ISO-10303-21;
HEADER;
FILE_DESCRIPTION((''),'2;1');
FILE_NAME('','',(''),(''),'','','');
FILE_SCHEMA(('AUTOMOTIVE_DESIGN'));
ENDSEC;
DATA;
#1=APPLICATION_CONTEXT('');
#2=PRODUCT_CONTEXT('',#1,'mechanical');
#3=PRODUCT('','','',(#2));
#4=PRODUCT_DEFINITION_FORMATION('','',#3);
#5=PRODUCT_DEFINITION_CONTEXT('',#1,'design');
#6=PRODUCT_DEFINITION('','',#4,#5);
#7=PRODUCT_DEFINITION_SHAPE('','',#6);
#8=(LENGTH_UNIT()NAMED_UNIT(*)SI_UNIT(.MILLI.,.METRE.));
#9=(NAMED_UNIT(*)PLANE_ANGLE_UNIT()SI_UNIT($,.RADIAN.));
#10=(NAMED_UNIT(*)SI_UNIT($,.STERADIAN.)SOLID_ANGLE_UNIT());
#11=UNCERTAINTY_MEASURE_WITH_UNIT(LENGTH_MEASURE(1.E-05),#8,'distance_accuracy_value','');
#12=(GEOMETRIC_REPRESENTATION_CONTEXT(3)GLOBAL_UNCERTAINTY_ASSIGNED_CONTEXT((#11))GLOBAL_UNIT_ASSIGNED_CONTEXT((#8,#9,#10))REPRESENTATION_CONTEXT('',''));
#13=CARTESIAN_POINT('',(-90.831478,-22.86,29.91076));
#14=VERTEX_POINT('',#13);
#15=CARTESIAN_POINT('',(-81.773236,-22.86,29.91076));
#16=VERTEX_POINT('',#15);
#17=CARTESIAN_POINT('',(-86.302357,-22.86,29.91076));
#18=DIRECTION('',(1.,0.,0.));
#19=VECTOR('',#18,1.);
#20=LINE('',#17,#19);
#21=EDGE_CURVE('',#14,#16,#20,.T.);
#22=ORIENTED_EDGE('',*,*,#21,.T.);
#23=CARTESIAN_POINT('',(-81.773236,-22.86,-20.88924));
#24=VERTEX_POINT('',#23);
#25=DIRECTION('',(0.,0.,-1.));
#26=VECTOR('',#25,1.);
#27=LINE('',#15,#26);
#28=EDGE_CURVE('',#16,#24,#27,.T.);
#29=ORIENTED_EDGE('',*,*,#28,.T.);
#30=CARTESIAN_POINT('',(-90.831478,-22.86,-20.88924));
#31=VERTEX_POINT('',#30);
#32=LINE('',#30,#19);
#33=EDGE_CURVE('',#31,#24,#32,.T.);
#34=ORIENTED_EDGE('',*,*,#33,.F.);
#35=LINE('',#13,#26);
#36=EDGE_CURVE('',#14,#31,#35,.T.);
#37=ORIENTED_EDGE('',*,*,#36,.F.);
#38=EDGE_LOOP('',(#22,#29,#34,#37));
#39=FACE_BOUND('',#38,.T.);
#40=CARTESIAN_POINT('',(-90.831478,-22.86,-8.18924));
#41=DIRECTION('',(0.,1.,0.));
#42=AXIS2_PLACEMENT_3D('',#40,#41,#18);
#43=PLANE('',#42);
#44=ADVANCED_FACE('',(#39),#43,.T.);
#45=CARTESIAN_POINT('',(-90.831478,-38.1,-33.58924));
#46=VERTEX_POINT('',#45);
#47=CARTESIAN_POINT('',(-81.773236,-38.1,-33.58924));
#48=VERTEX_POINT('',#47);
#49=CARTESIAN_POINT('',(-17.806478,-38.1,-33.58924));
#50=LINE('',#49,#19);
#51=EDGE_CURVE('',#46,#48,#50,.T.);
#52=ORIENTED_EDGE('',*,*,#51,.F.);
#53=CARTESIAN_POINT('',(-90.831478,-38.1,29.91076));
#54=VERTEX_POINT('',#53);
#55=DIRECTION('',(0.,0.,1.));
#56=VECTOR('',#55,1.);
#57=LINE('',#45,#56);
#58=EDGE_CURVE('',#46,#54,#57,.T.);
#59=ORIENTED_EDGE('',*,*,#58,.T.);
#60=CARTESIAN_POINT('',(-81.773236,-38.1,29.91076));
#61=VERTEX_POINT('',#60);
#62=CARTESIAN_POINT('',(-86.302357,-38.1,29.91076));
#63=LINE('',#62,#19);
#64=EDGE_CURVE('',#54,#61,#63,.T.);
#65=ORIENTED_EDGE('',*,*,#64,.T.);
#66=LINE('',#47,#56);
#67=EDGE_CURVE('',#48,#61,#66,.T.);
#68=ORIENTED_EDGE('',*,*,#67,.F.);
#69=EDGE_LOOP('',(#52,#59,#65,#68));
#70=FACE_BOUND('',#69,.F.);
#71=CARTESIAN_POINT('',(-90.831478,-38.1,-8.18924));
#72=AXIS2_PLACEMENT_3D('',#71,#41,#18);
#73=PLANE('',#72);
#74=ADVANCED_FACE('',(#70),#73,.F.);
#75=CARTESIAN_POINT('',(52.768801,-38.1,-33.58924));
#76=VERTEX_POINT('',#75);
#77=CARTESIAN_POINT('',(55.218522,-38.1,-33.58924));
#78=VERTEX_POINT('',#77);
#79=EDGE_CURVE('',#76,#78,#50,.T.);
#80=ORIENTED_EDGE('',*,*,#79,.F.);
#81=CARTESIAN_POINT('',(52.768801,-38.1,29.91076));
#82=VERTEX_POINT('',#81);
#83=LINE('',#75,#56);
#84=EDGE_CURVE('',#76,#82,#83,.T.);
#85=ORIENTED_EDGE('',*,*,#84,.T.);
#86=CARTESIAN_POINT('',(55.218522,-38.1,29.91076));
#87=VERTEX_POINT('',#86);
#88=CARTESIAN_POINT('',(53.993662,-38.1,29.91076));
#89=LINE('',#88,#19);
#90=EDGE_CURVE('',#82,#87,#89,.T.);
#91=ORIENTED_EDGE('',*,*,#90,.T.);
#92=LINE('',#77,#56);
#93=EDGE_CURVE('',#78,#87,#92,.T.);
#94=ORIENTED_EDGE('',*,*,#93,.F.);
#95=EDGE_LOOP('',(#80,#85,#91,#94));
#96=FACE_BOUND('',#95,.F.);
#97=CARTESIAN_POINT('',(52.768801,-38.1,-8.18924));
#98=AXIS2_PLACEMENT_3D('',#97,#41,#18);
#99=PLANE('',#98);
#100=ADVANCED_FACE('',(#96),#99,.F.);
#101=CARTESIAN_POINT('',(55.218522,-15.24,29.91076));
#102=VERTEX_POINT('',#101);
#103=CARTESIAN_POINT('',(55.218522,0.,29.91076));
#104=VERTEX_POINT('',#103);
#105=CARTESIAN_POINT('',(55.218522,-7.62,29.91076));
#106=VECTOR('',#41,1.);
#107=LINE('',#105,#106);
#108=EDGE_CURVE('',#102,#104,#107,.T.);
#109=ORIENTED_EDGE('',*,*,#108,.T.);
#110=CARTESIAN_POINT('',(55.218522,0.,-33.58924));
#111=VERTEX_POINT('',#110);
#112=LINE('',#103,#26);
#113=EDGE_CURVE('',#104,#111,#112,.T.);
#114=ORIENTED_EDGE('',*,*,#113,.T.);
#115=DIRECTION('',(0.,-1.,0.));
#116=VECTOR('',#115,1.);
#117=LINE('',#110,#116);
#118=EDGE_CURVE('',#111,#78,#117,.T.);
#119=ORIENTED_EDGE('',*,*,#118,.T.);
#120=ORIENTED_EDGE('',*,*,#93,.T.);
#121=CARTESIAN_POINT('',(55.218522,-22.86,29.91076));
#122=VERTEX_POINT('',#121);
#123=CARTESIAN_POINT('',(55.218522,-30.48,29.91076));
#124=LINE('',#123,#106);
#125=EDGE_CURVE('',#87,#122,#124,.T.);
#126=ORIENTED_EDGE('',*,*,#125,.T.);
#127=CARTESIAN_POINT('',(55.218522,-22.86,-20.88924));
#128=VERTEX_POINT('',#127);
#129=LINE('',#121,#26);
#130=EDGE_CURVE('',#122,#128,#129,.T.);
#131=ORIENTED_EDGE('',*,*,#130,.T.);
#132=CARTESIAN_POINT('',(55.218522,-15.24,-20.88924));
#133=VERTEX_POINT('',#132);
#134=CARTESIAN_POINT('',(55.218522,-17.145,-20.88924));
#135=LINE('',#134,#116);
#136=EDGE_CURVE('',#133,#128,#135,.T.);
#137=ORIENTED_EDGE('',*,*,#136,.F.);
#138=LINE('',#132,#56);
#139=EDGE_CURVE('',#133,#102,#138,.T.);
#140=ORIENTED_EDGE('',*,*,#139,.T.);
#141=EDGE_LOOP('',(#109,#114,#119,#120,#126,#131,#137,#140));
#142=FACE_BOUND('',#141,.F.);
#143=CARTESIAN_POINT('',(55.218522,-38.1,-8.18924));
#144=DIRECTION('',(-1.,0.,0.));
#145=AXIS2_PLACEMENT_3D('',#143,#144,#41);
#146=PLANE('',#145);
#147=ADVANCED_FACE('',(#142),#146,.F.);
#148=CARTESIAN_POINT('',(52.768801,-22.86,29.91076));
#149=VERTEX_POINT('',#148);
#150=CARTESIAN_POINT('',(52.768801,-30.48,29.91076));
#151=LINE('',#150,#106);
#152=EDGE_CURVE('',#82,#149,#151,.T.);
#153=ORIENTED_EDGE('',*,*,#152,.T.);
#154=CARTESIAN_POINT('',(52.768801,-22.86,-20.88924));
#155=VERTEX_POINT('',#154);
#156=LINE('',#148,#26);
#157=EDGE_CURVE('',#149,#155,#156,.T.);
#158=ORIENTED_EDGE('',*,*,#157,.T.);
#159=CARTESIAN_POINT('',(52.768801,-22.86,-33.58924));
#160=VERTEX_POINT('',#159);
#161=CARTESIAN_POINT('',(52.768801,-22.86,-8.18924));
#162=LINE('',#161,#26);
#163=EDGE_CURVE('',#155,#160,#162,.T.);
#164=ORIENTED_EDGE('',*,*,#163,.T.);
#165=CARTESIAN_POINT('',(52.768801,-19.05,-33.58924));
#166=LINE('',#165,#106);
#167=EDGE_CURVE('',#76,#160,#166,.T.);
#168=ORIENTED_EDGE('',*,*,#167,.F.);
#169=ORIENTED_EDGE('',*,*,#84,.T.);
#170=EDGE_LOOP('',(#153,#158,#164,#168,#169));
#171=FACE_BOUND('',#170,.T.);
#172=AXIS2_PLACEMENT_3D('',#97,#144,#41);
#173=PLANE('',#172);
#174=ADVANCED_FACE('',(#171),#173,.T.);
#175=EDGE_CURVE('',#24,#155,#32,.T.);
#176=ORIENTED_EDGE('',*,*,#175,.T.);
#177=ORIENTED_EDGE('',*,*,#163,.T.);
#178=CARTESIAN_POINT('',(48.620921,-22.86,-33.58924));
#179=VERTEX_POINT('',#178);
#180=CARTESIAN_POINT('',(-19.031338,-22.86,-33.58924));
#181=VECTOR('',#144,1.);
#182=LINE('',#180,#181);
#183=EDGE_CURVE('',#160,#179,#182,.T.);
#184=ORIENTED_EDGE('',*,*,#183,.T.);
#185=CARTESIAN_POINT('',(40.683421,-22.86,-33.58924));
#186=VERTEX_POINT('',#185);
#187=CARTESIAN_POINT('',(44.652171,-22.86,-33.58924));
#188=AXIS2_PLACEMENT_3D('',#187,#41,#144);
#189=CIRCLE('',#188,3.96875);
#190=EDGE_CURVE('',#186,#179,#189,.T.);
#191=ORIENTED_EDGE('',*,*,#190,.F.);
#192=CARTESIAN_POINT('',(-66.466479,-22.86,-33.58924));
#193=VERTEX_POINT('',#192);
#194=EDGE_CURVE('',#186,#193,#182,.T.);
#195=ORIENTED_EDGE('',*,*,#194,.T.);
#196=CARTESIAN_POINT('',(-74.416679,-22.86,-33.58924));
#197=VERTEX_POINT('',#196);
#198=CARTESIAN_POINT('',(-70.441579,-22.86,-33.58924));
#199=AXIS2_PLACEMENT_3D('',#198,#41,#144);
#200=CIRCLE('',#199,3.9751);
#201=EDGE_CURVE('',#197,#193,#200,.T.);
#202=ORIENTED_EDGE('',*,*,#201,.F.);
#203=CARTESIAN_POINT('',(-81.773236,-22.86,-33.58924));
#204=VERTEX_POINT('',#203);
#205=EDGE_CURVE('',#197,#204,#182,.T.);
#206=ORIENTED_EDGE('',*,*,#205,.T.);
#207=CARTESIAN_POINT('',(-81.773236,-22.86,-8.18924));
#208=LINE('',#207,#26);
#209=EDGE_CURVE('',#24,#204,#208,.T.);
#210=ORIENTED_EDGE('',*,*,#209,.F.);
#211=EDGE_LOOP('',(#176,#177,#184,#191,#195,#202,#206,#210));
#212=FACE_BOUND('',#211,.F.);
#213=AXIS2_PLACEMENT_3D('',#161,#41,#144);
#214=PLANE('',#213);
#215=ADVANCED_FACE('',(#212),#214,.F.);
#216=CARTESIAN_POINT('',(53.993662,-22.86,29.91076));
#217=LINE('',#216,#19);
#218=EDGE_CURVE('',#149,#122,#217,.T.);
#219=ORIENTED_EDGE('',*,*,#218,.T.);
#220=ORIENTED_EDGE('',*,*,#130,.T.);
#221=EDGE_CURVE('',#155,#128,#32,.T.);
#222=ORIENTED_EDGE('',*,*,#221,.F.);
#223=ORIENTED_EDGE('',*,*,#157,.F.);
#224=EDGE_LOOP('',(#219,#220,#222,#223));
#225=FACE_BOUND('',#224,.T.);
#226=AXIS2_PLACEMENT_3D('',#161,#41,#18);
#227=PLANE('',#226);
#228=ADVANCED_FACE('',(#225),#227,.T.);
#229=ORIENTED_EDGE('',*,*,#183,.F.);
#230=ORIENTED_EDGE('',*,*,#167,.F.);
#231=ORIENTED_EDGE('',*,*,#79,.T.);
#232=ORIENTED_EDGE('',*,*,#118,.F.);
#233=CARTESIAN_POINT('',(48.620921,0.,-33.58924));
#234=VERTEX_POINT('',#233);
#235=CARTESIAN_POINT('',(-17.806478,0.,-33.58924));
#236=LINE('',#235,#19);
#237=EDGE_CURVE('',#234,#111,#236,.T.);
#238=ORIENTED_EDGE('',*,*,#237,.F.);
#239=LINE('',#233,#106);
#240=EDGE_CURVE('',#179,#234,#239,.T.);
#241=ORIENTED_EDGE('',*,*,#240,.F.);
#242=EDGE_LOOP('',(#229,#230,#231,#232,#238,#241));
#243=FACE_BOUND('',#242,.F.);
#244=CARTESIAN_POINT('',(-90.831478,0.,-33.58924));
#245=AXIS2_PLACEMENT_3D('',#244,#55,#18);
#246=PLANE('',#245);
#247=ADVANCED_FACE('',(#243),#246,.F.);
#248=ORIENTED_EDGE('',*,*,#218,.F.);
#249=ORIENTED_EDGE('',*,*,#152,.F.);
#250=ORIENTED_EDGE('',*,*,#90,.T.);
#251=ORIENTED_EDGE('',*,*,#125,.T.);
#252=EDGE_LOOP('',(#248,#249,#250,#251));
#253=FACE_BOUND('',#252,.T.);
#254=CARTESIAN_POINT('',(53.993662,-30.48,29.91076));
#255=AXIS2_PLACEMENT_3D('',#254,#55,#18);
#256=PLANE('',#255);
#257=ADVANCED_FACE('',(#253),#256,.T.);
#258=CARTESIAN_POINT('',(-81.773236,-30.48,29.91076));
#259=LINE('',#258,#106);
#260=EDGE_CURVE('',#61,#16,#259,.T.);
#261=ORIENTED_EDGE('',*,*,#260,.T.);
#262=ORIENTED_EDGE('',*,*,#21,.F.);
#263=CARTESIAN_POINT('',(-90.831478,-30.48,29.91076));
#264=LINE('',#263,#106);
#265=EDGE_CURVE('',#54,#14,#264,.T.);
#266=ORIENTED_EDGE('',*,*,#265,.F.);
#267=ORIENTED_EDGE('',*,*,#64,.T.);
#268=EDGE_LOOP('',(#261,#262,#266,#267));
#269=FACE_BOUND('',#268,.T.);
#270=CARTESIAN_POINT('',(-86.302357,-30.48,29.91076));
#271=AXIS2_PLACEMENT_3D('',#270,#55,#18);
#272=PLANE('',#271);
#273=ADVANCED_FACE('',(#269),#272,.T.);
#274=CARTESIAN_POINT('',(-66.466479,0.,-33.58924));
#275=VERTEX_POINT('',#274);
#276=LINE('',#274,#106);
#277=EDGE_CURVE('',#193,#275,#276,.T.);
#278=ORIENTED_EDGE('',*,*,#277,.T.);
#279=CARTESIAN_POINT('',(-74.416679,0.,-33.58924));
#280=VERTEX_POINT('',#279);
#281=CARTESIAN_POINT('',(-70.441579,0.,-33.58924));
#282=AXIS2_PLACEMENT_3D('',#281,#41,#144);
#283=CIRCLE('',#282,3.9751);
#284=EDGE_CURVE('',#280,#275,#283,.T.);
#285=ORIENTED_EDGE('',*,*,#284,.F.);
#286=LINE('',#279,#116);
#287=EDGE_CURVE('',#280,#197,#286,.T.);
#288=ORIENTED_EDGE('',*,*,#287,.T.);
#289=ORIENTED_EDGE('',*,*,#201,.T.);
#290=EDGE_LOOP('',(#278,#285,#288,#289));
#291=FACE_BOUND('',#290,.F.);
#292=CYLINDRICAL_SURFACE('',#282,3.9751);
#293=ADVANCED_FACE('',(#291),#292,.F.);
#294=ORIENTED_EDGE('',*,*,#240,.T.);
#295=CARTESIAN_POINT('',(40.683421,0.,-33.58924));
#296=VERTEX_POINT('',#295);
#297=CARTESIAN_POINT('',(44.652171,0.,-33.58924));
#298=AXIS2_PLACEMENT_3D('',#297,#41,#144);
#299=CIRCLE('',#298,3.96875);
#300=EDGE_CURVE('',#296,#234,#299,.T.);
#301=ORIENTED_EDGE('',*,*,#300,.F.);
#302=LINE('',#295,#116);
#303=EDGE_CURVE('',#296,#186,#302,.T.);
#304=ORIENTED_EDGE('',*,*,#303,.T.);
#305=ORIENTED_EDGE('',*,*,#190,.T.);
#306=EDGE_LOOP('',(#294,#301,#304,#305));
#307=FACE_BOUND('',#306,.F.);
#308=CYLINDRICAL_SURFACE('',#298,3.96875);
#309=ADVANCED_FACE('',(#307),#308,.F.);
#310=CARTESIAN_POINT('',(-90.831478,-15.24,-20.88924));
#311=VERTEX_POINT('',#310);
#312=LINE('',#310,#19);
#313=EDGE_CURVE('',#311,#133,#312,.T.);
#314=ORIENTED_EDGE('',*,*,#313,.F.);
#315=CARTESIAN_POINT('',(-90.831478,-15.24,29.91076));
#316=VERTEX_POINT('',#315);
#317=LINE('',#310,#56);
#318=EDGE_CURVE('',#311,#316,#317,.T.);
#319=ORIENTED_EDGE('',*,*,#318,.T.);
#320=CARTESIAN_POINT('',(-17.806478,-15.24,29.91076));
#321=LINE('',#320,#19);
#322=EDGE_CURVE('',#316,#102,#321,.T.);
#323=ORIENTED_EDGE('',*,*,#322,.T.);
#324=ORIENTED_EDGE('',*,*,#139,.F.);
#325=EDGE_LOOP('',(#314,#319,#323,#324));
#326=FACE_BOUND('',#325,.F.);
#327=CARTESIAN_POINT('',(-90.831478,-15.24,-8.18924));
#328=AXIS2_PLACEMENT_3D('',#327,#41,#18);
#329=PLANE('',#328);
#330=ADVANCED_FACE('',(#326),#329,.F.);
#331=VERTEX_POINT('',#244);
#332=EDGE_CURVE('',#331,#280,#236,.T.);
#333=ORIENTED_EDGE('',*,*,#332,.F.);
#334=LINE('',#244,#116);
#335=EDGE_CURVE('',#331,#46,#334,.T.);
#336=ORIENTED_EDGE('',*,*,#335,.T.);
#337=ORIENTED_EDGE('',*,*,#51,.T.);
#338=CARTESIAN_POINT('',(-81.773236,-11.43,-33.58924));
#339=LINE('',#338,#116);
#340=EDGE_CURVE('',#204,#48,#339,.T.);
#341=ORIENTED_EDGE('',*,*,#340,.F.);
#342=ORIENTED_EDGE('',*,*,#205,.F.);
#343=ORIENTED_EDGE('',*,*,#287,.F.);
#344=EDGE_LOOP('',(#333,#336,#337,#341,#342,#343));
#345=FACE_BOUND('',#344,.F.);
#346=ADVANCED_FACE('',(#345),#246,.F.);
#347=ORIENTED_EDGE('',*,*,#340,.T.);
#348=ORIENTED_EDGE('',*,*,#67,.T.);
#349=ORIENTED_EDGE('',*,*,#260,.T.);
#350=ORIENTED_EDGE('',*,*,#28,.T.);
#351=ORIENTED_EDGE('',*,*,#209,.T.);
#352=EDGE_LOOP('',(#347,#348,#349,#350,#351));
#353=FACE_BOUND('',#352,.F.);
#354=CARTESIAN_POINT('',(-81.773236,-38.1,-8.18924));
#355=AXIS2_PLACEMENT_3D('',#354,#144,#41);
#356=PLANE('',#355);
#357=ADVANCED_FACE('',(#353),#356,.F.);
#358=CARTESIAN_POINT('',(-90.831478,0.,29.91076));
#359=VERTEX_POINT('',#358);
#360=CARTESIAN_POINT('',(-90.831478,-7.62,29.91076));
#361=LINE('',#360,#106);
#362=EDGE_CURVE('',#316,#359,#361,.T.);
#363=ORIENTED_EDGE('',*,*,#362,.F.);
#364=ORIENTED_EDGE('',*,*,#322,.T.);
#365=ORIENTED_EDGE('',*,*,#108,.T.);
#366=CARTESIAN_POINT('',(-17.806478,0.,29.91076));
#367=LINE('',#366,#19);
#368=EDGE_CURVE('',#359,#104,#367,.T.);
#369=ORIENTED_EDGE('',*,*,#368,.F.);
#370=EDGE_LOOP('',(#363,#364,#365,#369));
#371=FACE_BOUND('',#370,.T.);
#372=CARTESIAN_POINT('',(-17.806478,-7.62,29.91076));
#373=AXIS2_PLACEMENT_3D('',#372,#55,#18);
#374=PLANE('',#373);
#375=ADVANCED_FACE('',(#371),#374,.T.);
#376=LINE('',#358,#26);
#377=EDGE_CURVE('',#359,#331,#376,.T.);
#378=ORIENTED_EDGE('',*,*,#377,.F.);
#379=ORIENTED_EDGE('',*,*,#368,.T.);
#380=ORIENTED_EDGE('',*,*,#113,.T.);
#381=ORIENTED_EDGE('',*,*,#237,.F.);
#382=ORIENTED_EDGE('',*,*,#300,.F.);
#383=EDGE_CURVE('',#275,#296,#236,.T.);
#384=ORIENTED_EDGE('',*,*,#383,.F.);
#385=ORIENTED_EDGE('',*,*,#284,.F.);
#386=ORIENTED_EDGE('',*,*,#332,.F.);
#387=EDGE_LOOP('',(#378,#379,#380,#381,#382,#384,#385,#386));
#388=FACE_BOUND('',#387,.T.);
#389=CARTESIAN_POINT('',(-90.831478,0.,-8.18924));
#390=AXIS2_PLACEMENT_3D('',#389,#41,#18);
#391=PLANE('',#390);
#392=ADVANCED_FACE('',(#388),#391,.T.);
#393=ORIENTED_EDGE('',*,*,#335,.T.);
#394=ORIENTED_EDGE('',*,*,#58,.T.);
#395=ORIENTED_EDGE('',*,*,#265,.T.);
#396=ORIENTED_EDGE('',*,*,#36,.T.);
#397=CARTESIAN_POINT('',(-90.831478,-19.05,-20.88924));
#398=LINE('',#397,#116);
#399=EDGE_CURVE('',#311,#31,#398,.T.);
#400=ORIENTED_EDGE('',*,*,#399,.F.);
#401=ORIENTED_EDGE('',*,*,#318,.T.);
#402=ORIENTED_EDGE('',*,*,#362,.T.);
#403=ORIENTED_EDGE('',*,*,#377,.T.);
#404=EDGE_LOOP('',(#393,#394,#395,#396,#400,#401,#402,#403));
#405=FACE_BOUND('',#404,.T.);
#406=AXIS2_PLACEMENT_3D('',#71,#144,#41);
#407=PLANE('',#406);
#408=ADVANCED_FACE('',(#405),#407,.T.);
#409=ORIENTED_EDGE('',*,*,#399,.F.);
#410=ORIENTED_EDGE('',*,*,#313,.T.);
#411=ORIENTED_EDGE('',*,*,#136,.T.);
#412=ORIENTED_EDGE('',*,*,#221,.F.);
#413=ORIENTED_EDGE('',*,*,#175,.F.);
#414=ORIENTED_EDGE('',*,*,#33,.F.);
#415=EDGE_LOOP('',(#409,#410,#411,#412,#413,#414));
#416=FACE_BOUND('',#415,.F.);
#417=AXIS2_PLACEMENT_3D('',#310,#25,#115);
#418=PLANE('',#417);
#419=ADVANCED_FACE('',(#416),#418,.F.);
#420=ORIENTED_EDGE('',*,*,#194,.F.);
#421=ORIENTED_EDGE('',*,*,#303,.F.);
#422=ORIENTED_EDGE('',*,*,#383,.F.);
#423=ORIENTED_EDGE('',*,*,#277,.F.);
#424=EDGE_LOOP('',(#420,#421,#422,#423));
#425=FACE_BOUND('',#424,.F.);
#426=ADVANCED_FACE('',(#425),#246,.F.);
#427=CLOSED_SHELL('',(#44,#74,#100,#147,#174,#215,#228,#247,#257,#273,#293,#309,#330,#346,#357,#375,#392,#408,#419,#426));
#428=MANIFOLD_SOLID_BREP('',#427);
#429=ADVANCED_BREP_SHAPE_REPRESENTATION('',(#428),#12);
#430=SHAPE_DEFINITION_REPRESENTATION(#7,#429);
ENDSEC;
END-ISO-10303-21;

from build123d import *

# Parameters (mm, degrees)
F0_W       = 146.05
F0_H       = 25.4
F1_DEPTH   = 38.1
F2_W       = 7.62
F2_H       = 12.7
F1_FACE1_W = 38.1
F1_FACE1_H = 25.4
F3_DEPTH   = 146.051
F5_DEPTH   = 25.401
F6_W       = 146.05
F6_H       = 15.24
F7_DEPTH   = 38.1
F8_W       = 9.0582419944
F8_H       = 15.24
F9_DEPTH   = 38.1
F10_W      = 2.4497217488
F10_H      = 15.24
F11_DEPTH  = 38.1
F12_R      = 3.96875
F13_DEPTH  = 38.101


with BuildPart() as f1:
    # F0 (on Front) → F1 (new body)
    with BuildSketch(Plane.XZ):
        with Locations((-17.8064775685, -20.8892399079)):
            Rectangle(F0_W, F0_H)
    extrude(amount=F1_DEPTH)

    # F2 (on face) + F1_face1 (on face) → F3 (cut, through all)
    with BuildSketch(Plane(origin=(-90.8314775685, 0, 0), x_dir=(0, -1, 0), z_dir=(-1, 0, 0))):
        with Locations((19.05, -14.5392399079)):
            Rectangle(F2_W, F2_H)
    with BuildSketch(Plane(origin=(55.2185224315, -19.05, -20.8892399079), x_dir=(0, 1, 0), z_dir=(1, 0, 0))):
        Rectangle(F1_FACE1_W, F1_FACE1_H)
    extrude(amount=-F3_DEPTH, dir=(-1, 0, 0), mode=Mode.SUBTRACT)

    # F4 (on face) → F5 (cut, through all)
    with BuildSketch(Plane.XY.offset(-8.1892399079)):
        Polygon((52.7688006827, -22.86), (-81.7732355741, -22.86), (-81.7732355741, -38.1), (52.7688006827, -38.1), (52.7688006827, -30.48), align=None)
    extrude(amount=-F5_DEPTH, mode=Mode.SUBTRACT)

    # F6 (on face) → F7 (join)
    with BuildSketch(Plane.XY.offset(-8.1892399079)):
        with Locations((-17.8064775685, -7.62)):
            Rectangle(F6_W, F6_H)
    extrude(amount=F7_DEPTH)

    # F8 (on face) → F9 (join)
    with BuildSketch(Plane.XY.offset(-8.1892399079)):
        with Locations((-86.3023565713, -30.48)):
            Rectangle(F8_W, F8_H)
    extrude(amount=F9_DEPTH)

    # F10 (on face) → F11 (join)
    with BuildSketch(Plane.XY.offset(-8.1892399079)):
        with Locations((53.9936615571, -30.48)):
            Rectangle(F10_W, F10_H)
    extrude(amount=F11_DEPTH)

    # F12 (on face) → F13 (cut, through all)
    with BuildSketch(Plane(origin=(0, 0, 0), x_dir=(-1, 0, 0), z_dir=(0, 1, 0))):
        with Locations((-44.652171433, -33.5892399079)):
            Circle(F12_R)
        with BuildLine():
            ThreePointArc((66.466478567, -33.5892399079), (70.441578567, -37.5643399079), (74.416678567, -33.5892399079))
            ThreePointArc((74.416678567, -33.5892399079), (70.441578567, -29.6141399079), (66.466478567, -33.5892399079))
        make_face()
    extrude(amount=-F13_DEPTH, mode=Mode.SUBTRACT)


solid = f1.part
